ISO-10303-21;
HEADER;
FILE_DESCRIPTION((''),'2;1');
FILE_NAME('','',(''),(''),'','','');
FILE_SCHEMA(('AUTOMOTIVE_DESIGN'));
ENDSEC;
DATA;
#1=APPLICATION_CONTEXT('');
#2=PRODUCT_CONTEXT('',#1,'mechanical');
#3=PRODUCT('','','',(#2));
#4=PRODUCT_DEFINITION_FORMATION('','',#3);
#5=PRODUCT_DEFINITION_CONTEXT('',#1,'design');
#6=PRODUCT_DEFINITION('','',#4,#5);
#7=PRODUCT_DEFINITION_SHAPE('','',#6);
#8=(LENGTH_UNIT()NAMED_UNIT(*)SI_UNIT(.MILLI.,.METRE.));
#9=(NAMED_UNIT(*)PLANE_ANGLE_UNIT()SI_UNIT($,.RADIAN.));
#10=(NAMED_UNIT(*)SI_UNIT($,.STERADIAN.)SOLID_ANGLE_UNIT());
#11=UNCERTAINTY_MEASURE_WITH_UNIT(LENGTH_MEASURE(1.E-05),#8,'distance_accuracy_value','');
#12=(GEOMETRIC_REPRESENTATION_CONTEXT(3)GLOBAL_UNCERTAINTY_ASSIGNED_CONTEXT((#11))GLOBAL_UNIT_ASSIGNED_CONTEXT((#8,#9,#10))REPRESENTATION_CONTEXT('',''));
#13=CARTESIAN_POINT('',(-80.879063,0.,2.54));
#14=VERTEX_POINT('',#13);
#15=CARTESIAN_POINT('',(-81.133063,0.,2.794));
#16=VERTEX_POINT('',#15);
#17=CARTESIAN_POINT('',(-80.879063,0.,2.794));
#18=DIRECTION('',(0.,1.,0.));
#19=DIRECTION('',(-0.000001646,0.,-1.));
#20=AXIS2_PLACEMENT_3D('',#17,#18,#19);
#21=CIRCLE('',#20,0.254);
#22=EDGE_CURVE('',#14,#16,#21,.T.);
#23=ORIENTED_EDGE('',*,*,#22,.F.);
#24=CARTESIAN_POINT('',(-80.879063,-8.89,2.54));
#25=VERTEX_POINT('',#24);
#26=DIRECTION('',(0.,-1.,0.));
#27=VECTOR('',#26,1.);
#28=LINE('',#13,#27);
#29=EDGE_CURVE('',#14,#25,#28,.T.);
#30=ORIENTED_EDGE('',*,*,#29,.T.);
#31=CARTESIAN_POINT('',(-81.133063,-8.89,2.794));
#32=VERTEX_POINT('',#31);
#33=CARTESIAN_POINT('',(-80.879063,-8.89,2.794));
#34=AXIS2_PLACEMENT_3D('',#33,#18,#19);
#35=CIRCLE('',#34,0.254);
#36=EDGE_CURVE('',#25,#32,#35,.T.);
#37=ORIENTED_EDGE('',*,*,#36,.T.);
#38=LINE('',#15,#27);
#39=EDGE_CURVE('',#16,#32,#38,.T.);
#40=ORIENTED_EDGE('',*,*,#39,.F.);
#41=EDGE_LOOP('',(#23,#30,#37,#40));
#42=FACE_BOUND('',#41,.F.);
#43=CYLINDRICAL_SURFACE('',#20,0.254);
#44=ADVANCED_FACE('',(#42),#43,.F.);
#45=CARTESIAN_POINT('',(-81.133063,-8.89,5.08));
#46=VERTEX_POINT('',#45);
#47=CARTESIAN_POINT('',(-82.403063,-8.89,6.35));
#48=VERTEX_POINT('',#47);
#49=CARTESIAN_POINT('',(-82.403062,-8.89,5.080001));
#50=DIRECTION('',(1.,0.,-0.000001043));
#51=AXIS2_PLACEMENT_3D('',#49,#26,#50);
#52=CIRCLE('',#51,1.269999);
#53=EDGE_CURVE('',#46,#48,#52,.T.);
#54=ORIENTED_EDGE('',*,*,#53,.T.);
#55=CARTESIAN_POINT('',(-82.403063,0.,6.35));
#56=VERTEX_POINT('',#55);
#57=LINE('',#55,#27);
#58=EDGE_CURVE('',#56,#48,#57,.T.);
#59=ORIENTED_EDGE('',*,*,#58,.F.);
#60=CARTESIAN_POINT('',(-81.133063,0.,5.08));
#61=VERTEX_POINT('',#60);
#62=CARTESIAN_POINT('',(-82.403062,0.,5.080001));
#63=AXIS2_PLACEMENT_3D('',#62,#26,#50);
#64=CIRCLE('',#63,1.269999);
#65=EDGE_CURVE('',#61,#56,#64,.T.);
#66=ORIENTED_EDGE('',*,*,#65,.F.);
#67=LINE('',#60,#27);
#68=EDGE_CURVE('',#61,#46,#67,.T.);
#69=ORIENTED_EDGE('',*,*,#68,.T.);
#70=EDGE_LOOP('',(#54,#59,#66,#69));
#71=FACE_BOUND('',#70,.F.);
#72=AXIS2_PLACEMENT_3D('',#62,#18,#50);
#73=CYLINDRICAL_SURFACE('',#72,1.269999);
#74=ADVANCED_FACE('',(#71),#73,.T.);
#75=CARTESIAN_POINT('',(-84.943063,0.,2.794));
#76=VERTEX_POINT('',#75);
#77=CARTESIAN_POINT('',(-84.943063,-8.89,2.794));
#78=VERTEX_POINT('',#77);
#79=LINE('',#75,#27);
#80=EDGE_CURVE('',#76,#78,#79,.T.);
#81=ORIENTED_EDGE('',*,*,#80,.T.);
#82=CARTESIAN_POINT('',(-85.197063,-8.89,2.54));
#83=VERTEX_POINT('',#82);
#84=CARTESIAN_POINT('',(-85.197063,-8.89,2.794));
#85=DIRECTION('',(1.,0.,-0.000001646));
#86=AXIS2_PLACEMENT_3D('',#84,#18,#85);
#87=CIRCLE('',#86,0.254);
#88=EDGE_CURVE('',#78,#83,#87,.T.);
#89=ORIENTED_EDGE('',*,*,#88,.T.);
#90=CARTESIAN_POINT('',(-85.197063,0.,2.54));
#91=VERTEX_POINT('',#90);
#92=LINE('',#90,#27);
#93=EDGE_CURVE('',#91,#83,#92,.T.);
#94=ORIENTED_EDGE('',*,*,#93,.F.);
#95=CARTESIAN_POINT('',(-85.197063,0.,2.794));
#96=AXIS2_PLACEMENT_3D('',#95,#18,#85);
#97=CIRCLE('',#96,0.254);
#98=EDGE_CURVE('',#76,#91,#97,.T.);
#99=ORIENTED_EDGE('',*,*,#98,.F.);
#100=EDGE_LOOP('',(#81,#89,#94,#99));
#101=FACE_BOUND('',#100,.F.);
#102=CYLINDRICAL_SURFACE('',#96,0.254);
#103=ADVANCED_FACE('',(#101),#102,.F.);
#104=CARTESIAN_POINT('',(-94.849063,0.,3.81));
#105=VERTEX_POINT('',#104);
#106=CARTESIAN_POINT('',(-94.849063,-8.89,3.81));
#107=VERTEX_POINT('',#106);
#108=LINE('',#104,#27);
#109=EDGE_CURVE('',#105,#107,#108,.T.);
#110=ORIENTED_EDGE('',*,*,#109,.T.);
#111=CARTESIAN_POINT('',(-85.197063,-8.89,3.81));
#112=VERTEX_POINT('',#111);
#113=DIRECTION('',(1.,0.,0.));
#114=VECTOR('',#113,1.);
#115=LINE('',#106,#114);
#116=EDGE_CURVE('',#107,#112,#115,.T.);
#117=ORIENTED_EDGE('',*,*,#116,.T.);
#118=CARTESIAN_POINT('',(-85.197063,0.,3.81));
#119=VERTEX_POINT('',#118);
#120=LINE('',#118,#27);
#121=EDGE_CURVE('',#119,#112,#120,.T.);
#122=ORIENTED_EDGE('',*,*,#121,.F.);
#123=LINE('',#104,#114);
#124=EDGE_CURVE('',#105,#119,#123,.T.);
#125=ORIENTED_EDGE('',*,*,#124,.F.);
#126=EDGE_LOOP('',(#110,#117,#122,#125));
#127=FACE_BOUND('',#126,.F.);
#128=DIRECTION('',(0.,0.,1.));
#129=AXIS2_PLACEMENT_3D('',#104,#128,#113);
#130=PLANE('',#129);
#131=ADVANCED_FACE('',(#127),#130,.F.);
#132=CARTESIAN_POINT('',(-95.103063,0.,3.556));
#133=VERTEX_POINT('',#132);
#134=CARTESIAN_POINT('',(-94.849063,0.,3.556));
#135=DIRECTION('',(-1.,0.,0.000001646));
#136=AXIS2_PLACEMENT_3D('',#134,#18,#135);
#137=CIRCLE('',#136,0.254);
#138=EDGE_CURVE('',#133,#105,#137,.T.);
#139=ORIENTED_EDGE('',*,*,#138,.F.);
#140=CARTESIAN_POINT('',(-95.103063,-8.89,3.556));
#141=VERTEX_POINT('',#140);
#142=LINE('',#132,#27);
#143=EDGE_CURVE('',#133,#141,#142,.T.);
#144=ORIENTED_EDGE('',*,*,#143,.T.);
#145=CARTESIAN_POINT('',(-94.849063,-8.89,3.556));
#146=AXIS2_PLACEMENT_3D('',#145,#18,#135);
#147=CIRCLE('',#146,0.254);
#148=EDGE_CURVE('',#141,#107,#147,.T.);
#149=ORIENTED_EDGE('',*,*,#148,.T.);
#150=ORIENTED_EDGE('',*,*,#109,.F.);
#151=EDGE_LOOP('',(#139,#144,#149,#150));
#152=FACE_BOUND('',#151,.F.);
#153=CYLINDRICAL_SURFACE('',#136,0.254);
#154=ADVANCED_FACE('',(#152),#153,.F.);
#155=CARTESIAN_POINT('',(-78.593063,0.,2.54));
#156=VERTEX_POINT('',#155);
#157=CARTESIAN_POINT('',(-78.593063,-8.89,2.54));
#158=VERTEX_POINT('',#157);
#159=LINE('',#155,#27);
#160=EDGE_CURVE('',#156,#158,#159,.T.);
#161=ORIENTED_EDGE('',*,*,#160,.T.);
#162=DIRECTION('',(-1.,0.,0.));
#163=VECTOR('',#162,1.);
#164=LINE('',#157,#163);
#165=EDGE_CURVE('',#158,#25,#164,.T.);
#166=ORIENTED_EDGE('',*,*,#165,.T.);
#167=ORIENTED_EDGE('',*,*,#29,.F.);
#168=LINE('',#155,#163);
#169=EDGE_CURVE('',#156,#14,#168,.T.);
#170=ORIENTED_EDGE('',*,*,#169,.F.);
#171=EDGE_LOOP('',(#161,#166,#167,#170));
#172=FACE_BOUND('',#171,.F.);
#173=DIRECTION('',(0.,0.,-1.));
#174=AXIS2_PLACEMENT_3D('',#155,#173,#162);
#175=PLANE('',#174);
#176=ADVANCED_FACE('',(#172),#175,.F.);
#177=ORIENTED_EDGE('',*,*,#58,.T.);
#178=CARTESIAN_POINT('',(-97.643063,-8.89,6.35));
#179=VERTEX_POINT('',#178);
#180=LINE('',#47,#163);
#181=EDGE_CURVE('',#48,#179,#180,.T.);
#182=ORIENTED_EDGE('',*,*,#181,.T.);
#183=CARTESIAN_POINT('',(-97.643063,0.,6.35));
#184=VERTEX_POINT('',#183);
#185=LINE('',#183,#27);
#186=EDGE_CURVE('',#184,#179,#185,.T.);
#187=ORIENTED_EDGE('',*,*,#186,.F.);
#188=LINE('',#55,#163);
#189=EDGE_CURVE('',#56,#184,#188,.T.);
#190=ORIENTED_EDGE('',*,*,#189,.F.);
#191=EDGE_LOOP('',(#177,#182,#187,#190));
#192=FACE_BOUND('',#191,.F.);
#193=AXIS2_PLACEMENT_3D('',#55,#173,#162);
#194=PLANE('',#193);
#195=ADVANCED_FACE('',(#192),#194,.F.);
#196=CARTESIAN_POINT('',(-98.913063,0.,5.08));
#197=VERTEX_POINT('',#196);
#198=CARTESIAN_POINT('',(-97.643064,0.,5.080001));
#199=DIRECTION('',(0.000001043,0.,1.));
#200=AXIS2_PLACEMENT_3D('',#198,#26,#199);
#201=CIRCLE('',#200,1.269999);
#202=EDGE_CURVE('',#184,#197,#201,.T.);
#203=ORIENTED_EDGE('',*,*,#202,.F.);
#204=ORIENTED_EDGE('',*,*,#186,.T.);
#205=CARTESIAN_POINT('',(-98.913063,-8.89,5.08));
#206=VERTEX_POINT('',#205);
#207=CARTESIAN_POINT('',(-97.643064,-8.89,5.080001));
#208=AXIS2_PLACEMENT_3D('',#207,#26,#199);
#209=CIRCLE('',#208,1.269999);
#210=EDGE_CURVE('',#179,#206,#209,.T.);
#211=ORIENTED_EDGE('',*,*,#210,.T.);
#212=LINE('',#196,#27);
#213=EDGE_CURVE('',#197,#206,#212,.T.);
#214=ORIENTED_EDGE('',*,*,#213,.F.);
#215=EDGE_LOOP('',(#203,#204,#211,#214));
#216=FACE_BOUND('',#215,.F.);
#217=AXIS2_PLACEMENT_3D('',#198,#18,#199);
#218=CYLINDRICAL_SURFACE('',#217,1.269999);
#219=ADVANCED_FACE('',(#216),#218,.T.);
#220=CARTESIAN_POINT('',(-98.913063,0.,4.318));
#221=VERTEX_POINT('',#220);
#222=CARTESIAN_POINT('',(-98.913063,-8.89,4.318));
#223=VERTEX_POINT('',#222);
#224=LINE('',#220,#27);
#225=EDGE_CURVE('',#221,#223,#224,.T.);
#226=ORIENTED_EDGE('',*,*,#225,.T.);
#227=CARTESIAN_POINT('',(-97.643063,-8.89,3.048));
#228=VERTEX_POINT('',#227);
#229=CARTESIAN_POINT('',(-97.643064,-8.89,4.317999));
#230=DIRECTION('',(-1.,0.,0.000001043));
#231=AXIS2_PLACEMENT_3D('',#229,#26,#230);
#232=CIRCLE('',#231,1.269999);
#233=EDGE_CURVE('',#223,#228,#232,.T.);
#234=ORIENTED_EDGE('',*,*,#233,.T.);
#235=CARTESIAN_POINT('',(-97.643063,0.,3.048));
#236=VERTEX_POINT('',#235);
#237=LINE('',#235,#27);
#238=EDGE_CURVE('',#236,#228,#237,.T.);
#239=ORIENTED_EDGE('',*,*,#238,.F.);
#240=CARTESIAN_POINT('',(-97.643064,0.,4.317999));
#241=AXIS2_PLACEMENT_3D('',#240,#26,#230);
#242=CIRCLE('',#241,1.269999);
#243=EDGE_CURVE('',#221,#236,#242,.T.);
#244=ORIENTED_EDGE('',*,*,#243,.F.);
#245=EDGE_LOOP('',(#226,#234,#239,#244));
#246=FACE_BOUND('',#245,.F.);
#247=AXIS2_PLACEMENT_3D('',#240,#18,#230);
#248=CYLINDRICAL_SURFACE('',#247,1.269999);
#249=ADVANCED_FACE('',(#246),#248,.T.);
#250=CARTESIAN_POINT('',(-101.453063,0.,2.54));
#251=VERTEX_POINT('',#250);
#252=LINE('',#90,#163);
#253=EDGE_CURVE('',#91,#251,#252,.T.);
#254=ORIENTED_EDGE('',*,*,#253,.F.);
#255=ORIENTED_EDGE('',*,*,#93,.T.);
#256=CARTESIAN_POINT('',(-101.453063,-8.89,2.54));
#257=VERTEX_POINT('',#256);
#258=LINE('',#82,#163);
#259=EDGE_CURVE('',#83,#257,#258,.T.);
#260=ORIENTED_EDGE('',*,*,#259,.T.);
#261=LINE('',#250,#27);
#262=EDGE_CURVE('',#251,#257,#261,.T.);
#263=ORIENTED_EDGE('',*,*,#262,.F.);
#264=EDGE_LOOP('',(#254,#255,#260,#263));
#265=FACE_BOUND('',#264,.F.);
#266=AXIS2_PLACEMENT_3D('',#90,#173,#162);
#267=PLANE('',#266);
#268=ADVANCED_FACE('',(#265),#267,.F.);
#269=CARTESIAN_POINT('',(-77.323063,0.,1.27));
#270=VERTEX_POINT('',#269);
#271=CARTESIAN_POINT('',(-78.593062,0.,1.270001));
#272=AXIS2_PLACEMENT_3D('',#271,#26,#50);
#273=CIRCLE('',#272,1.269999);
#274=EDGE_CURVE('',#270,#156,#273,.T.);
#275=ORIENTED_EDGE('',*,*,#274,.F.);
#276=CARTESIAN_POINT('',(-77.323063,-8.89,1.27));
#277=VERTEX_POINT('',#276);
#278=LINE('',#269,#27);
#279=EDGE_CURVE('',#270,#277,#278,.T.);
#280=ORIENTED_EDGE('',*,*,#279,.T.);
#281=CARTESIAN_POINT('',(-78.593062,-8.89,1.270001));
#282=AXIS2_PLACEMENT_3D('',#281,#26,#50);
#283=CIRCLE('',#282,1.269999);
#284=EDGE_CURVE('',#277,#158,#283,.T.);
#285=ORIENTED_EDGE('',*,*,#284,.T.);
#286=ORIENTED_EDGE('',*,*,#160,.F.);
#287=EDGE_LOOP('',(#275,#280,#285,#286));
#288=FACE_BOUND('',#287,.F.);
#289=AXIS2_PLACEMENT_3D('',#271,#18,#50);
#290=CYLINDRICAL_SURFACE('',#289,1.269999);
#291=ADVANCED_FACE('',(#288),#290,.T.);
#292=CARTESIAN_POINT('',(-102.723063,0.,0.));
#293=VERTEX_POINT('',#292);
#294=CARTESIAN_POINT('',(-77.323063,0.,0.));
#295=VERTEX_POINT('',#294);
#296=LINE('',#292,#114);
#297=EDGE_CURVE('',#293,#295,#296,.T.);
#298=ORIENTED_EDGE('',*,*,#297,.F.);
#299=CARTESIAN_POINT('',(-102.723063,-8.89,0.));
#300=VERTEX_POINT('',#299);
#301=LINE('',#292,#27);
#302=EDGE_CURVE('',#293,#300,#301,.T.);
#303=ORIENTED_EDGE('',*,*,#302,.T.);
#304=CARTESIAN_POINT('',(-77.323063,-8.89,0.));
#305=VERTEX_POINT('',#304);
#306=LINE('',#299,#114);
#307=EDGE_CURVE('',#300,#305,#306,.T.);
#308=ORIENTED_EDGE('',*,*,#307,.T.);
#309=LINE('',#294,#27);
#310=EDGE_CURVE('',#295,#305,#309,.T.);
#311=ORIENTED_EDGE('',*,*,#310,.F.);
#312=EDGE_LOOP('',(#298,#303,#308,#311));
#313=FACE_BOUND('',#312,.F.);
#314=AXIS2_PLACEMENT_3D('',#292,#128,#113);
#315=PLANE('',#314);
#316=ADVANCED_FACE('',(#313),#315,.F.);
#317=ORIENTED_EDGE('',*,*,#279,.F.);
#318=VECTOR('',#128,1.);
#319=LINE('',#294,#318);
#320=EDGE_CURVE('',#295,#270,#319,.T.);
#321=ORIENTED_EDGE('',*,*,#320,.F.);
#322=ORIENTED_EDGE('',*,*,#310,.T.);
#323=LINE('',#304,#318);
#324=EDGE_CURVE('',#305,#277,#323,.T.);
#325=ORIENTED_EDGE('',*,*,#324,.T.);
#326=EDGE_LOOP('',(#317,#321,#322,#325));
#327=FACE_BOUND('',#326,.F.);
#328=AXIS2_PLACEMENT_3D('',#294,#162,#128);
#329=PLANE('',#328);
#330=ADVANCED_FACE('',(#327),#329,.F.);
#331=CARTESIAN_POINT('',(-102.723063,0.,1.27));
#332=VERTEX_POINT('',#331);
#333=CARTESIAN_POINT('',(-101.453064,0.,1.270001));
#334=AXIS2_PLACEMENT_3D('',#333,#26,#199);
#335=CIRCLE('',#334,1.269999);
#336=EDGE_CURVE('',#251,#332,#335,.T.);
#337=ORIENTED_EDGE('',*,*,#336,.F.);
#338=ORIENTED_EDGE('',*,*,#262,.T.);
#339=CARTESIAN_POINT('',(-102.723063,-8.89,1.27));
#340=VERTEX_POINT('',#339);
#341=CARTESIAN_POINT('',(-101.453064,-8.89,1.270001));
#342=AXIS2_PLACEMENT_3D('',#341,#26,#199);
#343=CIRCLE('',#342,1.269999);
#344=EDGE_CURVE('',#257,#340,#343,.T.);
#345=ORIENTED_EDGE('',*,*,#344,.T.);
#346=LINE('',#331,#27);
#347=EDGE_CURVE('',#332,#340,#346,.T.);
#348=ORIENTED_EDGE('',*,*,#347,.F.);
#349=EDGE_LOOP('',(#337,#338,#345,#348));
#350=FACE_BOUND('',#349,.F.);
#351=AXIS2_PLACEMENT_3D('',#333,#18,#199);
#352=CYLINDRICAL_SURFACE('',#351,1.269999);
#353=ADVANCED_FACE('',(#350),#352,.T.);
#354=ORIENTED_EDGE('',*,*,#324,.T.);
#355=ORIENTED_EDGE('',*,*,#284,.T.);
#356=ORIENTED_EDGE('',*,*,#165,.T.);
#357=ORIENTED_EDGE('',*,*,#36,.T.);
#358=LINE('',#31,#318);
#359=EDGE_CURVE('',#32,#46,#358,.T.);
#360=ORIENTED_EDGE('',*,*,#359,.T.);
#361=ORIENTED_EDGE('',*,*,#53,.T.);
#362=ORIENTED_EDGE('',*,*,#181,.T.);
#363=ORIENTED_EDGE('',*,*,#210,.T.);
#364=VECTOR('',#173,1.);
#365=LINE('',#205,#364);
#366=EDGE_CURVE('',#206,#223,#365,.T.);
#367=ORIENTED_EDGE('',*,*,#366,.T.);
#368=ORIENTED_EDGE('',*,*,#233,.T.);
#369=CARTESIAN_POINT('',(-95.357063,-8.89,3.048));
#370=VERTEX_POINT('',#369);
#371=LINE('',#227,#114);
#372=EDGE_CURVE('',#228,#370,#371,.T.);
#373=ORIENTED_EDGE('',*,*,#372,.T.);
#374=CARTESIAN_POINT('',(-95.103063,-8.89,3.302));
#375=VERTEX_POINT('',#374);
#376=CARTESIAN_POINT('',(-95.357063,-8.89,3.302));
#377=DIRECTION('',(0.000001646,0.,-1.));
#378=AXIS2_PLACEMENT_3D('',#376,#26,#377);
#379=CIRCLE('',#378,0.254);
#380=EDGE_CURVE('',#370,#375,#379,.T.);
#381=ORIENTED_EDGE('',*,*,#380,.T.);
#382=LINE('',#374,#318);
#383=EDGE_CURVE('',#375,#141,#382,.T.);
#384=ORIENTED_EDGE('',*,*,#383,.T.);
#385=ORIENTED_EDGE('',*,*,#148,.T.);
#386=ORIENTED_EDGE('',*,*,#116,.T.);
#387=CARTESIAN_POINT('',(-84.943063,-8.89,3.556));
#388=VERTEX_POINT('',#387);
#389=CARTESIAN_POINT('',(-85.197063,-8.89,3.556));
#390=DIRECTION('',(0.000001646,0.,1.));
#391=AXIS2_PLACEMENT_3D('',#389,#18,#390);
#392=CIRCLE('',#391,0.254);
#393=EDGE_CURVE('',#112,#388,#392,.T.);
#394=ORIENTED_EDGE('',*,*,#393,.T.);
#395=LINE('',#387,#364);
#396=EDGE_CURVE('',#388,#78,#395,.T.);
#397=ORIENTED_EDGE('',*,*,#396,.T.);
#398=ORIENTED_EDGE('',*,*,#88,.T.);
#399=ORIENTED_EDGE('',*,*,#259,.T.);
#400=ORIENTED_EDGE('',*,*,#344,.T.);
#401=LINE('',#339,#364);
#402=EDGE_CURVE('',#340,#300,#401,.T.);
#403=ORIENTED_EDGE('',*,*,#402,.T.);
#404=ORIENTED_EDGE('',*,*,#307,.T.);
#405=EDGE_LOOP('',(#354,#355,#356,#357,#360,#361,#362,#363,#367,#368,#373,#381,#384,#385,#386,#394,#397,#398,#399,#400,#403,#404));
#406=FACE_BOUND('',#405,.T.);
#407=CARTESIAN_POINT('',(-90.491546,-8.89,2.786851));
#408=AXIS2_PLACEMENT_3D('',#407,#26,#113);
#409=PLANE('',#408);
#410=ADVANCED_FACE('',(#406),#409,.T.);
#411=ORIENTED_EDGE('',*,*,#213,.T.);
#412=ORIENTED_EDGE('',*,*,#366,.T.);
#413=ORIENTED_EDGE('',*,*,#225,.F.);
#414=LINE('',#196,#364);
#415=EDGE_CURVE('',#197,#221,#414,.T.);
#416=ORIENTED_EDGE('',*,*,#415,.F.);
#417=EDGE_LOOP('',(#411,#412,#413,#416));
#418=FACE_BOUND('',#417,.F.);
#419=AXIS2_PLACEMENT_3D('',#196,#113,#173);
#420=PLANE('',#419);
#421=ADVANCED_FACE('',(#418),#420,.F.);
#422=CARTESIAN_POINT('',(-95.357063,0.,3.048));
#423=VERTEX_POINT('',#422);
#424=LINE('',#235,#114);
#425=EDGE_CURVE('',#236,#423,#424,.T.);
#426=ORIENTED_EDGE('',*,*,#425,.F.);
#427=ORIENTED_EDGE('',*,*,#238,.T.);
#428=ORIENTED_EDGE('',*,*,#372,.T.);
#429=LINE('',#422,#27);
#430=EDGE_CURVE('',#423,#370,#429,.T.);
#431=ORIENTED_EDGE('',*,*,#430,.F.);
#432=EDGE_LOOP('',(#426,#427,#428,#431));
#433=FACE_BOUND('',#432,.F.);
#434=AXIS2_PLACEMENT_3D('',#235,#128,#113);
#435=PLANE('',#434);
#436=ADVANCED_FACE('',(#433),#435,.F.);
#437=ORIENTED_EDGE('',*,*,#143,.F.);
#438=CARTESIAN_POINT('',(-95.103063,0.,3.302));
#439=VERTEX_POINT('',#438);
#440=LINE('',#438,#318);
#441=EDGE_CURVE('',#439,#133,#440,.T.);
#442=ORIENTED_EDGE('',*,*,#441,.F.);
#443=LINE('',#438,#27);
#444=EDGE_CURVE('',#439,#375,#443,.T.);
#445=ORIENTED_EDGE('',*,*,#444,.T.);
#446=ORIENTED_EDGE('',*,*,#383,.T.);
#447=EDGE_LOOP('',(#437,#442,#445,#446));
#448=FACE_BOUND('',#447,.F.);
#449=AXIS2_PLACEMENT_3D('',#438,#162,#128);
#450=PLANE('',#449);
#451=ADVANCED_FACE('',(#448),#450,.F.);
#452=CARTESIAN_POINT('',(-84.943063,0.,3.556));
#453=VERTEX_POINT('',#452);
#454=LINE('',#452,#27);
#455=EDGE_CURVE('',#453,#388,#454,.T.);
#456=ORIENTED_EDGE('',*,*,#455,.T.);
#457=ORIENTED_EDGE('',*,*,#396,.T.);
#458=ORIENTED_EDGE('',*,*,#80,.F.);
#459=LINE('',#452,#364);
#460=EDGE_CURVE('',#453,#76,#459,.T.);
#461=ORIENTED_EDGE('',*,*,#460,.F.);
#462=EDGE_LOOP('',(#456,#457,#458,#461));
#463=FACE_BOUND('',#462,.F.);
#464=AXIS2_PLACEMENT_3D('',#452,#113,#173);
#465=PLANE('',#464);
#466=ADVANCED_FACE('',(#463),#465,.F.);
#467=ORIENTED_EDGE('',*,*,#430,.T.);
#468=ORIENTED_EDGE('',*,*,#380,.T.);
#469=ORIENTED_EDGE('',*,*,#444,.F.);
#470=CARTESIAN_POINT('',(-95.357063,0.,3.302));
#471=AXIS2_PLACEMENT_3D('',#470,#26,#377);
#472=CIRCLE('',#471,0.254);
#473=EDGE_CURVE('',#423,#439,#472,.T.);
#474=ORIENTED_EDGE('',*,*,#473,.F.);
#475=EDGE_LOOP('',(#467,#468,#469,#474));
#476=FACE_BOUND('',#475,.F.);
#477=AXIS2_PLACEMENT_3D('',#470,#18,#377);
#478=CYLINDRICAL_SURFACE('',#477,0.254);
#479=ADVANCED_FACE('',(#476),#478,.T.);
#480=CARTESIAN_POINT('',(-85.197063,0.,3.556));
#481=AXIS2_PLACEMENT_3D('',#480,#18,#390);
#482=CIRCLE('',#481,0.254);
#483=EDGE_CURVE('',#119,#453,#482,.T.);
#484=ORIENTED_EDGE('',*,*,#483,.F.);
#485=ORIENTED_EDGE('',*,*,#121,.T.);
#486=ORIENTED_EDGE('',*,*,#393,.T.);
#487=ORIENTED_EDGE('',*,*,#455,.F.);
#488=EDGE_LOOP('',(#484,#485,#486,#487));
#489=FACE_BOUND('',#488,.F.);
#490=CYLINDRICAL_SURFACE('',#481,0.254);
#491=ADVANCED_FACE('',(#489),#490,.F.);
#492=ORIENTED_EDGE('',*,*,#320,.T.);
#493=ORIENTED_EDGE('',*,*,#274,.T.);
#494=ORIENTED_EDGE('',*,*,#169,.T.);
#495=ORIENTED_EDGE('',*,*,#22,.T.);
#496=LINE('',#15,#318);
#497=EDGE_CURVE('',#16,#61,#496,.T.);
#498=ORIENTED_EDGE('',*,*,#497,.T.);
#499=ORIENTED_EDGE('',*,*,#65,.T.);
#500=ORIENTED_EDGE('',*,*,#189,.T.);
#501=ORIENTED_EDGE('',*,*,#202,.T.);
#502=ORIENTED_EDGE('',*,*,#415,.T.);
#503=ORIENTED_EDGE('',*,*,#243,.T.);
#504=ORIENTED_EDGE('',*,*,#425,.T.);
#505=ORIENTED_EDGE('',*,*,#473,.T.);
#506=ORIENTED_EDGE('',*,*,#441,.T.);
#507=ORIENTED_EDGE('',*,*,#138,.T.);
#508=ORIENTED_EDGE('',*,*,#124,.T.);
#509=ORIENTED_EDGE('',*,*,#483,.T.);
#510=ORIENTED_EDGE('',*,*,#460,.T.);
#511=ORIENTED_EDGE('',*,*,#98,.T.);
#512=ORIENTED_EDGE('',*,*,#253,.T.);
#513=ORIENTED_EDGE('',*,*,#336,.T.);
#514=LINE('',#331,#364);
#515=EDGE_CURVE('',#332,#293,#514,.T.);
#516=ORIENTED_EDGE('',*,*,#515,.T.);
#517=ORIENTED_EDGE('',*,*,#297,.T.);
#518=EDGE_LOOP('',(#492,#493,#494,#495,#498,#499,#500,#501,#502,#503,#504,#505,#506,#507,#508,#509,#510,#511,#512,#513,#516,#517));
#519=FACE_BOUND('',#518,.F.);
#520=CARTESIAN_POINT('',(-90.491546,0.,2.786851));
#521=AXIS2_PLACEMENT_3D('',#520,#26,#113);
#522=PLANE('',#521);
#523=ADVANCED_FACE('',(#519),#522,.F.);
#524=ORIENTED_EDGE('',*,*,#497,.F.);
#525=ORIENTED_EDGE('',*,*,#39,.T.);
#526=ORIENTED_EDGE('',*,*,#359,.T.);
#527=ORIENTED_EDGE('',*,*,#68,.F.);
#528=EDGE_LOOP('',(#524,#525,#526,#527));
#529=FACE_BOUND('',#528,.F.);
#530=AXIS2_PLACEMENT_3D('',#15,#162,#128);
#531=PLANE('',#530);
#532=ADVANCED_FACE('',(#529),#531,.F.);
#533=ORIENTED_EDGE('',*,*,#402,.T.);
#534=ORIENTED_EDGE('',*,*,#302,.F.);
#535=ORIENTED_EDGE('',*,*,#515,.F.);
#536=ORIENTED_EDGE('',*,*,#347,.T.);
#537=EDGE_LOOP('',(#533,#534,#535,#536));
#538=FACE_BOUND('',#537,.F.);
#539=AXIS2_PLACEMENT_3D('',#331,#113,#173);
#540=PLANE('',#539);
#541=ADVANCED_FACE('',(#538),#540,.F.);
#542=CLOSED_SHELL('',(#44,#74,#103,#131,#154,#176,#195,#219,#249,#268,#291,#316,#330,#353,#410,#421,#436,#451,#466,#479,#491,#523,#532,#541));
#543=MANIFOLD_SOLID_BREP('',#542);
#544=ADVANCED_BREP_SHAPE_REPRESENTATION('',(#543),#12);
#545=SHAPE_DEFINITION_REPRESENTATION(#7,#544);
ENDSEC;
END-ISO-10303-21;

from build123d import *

# Parameters (mm, degrees)
F1_DEPTH = 8.89


with BuildPart() as f1:
    # F0 (on Front) → F1 (new body)
    with BuildSketch(Plane.XZ):
        with BuildLine():
            Line((-102.723063, 1.27), (-102.723063, 0))
            Line((-102.723063, 0), (-77.323063, 0))
            Line((-77.323063, 0), (-77.323063, 1.27))
            ThreePointArc((-77.323063, 1.27), (-77.695037, 2.168026), (-78.593063, 2.54))
            Line((-78.593063, 2.54), (-80.879063, 2.54))
            ThreePointArc((-80.879063, 2.54), (-81.058668, 2.614395), (-81.133063, 2.794))
            Line((-81.133063, 2.794), (-81.133063, 5.08))
            ThreePointArc((-81.133063, 5.08), (-81.505037, 5.978026), (-82.403063, 6.35))
            Line((-82.403063, 6.35), (-97.643063, 6.35))
            ThreePointArc((-97.643063, 6.35), (-98.541089, 5.978026), (-98.913063, 5.08))
            Line((-98.913063, 5.08), (-98.913063, 4.318))
            ThreePointArc((-98.913063, 4.318), (-98.541089, 3.419974), (-97.643063, 3.048))
            Line((-97.643063, 3.048), (-95.357063, 3.048))
            ThreePointArc((-95.357063, 3.048), (-95.177458, 3.122395), (-95.103063, 3.302))
            Line((-95.103063, 3.302), (-95.103063, 3.556))
            ThreePointArc((-95.103063, 3.556), (-95.028668, 3.735605), (-94.849063, 3.81))
            Line((-94.849063, 3.81), (-85.197063, 3.81))
            ThreePointArc((-85.197063, 3.81), (-85.017458, 3.735605), (-84.943063, 3.556))
            Line((-84.943063, 3.556), (-84.943063, 2.794))
            ThreePointArc((-84.943063, 2.794), (-85.017458, 2.614395), (-85.197063, 2.54))
            Line((-85.197063, 2.54), (-101.453063, 2.54))
            ThreePointArc((-101.453063, 2.54), (-102.351089, 2.168026), (-102.723063, 1.27))
        make_face()
    extrude(amount=F1_DEPTH)


solid = f1.part
